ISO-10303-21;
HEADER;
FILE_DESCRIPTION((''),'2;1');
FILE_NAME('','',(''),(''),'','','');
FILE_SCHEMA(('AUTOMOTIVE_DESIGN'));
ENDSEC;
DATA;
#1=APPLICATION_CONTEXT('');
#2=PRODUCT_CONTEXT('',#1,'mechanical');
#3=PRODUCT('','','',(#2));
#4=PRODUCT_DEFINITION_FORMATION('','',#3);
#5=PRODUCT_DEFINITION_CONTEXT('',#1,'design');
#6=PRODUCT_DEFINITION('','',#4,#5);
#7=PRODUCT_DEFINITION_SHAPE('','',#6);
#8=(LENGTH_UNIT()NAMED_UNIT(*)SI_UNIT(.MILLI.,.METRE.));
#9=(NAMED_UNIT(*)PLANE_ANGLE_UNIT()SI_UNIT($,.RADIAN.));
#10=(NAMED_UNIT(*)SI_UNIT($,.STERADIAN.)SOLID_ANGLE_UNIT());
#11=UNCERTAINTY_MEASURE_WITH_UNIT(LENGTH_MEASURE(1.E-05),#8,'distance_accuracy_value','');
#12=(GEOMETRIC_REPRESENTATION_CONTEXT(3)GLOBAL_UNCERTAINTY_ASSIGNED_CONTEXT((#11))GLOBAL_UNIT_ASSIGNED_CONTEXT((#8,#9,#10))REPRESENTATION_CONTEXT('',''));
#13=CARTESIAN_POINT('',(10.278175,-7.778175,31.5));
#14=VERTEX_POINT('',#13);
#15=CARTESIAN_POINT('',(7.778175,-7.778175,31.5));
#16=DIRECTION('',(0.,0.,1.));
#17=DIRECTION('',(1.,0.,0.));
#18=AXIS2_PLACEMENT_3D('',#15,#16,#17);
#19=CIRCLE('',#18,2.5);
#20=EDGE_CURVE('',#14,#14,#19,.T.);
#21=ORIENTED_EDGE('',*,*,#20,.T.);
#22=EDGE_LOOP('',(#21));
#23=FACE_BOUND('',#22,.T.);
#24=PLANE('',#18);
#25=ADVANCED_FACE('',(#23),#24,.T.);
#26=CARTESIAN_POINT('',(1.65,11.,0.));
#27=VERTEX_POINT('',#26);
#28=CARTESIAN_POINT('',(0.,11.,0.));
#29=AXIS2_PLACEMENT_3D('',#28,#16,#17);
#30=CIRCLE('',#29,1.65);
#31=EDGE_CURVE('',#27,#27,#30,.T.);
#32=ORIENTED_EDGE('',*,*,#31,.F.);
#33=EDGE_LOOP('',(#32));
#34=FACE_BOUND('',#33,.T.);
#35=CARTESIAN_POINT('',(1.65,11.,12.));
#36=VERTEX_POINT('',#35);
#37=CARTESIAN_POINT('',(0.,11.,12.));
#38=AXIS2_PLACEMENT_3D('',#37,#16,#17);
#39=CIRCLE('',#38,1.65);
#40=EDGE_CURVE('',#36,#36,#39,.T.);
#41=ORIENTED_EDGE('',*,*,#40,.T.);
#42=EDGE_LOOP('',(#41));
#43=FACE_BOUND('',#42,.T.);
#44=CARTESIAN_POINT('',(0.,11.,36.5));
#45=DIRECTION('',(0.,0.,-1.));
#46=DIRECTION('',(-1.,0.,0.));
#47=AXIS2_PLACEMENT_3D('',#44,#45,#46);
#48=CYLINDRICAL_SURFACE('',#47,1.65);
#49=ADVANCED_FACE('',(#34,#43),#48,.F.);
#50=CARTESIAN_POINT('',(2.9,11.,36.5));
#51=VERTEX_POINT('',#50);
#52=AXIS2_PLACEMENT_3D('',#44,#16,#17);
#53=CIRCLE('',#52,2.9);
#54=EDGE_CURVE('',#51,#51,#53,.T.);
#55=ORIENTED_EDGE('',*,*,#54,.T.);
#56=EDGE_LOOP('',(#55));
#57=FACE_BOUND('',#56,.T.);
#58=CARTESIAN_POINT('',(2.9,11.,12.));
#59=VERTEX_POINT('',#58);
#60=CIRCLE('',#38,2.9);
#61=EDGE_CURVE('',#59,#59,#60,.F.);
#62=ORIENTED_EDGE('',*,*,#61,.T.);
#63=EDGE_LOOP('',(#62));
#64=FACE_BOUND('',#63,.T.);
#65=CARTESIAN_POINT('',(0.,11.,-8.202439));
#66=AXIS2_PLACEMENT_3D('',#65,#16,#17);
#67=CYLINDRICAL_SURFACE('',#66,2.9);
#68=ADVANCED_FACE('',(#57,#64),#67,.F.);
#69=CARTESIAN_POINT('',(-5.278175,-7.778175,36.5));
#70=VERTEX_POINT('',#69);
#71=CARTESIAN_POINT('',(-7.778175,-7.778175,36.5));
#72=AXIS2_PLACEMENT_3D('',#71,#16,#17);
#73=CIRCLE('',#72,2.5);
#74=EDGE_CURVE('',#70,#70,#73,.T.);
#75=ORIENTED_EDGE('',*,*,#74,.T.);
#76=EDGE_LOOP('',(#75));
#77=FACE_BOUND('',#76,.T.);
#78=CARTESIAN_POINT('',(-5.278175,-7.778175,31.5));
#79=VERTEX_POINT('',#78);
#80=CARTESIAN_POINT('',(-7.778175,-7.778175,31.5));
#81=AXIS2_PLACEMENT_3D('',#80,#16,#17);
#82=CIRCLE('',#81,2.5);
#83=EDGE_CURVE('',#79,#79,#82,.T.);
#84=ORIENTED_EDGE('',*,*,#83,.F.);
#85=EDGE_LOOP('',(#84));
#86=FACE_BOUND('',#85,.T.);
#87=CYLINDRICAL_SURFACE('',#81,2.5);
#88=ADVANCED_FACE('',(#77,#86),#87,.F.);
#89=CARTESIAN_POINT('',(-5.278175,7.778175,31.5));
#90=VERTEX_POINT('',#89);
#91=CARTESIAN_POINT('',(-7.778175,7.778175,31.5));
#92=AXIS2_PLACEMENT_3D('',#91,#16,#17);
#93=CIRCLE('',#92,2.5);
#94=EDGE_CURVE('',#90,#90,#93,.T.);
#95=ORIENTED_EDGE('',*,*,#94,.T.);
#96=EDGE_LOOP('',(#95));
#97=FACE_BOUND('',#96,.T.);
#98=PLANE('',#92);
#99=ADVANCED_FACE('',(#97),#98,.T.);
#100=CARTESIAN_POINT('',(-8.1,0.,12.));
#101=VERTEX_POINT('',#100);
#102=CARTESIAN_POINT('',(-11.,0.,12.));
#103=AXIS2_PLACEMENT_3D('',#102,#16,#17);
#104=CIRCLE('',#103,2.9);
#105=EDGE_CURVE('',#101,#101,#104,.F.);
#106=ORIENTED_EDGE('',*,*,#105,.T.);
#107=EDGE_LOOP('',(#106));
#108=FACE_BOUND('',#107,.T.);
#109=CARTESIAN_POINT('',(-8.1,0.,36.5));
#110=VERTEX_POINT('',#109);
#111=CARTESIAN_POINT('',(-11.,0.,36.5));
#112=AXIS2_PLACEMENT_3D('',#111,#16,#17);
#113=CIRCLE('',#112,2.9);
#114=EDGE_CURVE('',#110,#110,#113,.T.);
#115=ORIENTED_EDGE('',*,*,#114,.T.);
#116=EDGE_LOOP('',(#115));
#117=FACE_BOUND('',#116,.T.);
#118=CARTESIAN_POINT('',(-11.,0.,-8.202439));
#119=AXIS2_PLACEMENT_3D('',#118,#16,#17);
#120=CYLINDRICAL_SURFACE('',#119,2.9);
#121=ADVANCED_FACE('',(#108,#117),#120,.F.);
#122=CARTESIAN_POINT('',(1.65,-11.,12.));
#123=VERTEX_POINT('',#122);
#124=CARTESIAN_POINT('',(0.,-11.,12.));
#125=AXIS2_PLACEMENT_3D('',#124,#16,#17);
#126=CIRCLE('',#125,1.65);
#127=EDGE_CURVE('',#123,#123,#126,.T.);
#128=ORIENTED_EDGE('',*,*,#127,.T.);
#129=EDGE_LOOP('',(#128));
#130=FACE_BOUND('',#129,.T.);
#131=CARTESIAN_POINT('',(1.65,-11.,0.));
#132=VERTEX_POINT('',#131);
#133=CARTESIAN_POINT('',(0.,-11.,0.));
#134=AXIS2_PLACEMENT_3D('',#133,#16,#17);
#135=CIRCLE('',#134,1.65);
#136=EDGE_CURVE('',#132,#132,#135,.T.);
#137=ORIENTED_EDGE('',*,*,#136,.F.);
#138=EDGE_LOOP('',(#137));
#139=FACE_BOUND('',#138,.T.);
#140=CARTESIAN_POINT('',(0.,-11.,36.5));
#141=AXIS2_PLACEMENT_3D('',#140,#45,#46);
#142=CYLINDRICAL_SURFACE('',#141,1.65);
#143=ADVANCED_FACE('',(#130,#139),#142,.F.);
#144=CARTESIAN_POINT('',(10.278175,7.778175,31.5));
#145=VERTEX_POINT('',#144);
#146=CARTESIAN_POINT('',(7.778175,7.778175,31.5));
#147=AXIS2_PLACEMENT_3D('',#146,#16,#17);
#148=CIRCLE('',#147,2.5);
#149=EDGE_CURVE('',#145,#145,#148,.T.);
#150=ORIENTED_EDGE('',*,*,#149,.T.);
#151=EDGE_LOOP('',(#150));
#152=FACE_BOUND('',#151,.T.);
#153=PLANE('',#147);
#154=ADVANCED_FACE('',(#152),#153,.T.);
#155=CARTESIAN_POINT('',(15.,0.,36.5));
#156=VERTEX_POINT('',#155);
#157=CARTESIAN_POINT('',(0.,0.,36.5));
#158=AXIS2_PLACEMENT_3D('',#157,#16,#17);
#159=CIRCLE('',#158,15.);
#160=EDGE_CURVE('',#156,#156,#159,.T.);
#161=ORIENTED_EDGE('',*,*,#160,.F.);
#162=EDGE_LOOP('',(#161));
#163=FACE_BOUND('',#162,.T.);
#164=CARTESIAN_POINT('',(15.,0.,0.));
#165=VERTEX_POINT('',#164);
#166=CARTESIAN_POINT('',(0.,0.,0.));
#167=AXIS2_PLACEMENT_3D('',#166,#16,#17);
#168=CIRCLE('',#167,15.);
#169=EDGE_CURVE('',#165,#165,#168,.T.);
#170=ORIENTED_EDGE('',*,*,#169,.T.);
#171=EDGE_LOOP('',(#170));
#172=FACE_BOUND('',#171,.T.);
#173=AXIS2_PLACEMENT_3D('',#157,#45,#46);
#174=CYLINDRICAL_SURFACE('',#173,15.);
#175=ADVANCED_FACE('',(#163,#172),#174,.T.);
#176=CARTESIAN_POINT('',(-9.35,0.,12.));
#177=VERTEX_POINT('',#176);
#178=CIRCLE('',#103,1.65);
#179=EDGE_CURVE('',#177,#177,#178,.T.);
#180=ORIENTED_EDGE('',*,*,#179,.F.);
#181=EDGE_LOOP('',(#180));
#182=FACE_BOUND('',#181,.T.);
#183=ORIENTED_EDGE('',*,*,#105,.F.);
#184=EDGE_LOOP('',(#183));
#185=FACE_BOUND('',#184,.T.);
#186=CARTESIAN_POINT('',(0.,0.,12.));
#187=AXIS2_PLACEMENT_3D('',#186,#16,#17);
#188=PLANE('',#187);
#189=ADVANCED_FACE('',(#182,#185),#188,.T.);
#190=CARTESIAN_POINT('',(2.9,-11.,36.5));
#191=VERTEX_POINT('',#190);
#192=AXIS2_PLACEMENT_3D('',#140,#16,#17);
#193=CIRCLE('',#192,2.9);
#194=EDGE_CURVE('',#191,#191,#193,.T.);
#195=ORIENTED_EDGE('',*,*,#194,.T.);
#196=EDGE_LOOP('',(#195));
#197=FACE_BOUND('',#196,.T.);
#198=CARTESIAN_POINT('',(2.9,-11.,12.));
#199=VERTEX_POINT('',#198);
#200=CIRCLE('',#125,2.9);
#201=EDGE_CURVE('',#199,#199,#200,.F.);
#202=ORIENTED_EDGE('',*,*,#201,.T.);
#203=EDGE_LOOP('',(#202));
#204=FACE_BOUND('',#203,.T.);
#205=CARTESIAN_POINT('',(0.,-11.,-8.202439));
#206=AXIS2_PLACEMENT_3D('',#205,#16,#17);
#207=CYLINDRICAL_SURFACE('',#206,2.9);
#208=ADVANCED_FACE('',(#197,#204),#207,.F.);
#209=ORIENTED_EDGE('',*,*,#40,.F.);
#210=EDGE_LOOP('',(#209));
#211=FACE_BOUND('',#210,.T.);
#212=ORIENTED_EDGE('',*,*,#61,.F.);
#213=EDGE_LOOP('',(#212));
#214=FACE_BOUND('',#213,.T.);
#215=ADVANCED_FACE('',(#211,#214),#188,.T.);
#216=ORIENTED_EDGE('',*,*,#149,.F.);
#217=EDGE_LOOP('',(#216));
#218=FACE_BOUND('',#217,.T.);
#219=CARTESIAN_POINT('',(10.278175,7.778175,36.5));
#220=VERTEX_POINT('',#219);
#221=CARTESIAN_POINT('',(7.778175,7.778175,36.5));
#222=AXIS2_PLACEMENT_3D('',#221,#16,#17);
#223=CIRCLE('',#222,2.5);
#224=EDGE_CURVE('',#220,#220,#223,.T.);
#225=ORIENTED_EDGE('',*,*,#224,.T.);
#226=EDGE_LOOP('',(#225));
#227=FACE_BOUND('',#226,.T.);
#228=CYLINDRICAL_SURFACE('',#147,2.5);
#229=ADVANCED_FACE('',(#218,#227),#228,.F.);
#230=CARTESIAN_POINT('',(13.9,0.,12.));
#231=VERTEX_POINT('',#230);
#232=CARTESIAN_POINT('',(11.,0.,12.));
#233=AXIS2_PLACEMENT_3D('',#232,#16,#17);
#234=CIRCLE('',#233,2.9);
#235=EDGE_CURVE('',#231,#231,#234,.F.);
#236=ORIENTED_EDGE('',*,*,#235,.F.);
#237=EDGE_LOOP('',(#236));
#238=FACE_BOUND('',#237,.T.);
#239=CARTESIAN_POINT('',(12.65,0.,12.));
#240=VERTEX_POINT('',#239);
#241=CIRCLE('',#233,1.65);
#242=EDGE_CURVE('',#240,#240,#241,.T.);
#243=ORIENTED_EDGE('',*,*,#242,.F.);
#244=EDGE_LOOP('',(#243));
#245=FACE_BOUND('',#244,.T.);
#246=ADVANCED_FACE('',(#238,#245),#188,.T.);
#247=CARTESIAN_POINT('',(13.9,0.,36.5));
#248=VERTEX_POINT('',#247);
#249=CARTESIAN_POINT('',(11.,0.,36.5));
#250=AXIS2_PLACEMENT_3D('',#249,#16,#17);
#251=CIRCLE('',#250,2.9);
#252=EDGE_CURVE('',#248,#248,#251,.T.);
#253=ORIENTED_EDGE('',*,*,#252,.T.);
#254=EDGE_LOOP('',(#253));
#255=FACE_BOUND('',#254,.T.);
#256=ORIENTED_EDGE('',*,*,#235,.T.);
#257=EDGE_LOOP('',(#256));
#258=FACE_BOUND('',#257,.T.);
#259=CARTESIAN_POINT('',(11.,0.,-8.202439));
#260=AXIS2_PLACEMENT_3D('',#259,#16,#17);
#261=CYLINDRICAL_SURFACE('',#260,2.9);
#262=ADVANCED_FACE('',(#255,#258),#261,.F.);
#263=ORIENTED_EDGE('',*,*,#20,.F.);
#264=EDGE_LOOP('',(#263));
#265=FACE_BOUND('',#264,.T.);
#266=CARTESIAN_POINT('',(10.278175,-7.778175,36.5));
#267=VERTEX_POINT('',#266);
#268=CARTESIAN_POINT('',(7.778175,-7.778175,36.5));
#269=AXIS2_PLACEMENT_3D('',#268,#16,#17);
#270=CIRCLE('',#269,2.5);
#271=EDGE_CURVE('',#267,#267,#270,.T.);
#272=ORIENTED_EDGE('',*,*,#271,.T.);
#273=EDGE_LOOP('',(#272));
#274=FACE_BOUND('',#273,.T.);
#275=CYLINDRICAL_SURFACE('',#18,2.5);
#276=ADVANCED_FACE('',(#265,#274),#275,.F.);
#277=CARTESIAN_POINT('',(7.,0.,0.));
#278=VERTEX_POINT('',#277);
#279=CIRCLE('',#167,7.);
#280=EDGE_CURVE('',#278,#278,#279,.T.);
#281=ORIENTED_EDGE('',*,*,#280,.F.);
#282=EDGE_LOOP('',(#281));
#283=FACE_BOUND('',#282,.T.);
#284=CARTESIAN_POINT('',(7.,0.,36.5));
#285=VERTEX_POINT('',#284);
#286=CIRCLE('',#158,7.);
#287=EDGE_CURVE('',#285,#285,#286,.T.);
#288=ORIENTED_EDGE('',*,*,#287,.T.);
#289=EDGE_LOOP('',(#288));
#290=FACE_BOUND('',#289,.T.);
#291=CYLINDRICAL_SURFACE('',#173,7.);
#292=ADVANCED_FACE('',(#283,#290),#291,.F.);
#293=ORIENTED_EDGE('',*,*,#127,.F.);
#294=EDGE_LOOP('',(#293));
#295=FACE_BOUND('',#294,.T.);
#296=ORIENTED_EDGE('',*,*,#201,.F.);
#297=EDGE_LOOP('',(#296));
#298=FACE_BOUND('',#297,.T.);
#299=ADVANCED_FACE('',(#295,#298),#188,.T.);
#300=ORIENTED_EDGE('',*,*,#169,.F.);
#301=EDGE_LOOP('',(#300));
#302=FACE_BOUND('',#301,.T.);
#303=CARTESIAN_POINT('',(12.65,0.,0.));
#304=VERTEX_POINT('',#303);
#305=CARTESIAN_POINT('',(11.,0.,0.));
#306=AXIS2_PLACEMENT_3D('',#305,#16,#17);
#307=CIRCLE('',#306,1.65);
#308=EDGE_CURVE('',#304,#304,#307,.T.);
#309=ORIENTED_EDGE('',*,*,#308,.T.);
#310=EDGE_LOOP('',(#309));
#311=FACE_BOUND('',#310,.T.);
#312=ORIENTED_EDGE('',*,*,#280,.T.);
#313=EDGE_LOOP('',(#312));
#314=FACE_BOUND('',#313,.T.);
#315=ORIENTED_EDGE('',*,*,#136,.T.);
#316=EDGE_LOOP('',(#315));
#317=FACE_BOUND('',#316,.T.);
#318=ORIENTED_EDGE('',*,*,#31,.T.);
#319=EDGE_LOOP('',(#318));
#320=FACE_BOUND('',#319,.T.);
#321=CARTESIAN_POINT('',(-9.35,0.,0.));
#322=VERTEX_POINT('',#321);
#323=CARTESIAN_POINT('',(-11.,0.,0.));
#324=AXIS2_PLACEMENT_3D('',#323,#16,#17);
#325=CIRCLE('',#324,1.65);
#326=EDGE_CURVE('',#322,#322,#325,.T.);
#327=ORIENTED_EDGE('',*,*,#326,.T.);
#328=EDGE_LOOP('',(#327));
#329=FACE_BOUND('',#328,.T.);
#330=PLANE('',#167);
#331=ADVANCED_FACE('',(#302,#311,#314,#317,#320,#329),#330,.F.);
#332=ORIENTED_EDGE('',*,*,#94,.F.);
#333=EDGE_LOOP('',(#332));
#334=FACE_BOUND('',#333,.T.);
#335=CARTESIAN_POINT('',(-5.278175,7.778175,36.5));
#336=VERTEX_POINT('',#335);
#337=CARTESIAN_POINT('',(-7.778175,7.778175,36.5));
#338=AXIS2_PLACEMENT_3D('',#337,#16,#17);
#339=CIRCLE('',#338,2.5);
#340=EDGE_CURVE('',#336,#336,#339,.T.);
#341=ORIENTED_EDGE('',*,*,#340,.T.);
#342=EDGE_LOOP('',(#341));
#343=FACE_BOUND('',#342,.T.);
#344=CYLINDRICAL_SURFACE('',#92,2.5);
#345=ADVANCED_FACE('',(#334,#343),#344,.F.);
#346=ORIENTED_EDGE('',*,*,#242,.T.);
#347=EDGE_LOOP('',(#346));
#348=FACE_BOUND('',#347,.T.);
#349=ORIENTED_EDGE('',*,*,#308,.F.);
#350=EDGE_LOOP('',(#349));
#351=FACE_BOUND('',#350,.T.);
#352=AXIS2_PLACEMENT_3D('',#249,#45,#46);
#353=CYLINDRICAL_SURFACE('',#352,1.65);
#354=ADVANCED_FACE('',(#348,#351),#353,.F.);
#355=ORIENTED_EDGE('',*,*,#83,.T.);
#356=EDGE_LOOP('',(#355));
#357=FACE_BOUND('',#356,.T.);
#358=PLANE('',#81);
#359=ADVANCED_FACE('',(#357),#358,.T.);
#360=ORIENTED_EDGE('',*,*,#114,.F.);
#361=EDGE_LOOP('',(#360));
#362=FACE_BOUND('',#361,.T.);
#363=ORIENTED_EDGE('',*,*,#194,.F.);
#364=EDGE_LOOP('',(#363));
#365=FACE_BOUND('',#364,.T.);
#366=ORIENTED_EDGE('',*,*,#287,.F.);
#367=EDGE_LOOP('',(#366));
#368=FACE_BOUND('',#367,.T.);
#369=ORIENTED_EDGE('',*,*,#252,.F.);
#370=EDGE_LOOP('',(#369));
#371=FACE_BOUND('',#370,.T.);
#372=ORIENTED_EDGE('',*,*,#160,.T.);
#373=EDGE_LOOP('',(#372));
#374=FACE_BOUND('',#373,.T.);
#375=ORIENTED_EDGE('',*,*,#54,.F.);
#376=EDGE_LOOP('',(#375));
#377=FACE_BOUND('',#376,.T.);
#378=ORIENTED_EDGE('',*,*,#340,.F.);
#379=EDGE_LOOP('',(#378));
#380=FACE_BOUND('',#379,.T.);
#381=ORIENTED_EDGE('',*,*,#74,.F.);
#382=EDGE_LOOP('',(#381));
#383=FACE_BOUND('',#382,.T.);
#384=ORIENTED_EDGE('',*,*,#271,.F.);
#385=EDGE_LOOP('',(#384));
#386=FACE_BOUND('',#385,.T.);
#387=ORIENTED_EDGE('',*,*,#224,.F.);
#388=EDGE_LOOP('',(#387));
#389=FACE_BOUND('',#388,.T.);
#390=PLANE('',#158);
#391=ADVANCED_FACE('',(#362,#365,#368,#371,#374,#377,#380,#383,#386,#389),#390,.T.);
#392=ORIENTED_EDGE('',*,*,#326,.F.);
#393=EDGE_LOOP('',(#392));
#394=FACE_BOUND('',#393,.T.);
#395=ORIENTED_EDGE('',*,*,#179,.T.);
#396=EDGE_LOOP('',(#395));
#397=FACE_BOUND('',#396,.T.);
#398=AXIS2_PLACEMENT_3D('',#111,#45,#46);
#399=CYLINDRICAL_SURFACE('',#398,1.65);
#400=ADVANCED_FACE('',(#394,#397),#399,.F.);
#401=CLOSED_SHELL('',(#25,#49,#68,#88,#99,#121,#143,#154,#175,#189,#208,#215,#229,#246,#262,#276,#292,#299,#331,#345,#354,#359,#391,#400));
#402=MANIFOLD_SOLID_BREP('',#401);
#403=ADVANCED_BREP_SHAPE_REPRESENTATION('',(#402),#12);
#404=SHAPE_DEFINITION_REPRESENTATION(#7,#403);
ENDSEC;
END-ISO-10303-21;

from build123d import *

# Parameters (mm, degrees)
SKIZZE1_R                       = 15
SKIZZE1_R_2                     = 7
SKIZZE1_R_3                     = 1.65
AUFSATZ_LINEAR_AUSTRAGEN1_DEPTH = 36.5
SKIZZE2_R                       = 2.9
SCHNITT_LINEAR_AUSTRAGEN1_DEPTH = 24.5
SKIZZE3_R                       = 2.5
SCHNITT_LINEAR_AUSTRAGEN2_DEPTH = 5


with BuildPart() as part:
    # Skizze1 → Aufsatz-Linear austragen1 (new body)
    with BuildSketch(Plane.XY):
        Circle(SKIZZE1_R)
        Circle(SKIZZE1_R_2, mode=Mode.SUBTRACT)
        with Locations((-11, 0)):
            Circle(SKIZZE1_R_3, mode=Mode.SUBTRACT)
        with Locations((0, 11)):
            Circle(SKIZZE1_R_3, mode=Mode.SUBTRACT)
        with Locations((11, 0)):
            Circle(SKIZZE1_R_3, mode=Mode.SUBTRACT)
        with Locations((0, -11)):
            Circle(SKIZZE1_R_3, mode=Mode.SUBTRACT)
    extrude(amount=AUFSATZ_LINEAR_AUSTRAGEN1_DEPTH)

    # Skizze2 → Schnitt-Linear austragen1 (cut)
    with BuildSketch(Plane.XY.offset(36.5)):
        with Locations((-11, 0)):
            Circle(SKIZZE2_R)
        with Locations((0, 11)):
            Circle(SKIZZE2_R)
        with Locations((11, 0)):
            Circle(SKIZZE2_R)
        with Locations((0, -11)):
            Circle(SKIZZE2_R)
    extrude(amount=-SCHNITT_LINEAR_AUSTRAGEN1_DEPTH, mode=Mode.SUBTRACT)

    # Skizze3 → Schnitt-Linear austragen2 (cut)
    with BuildSketch(Plane.XY.offset(36.5)):
        with Locations((-7.778174593, 7.778174593)):
            Circle(SKIZZE3_R)
        with Locations((7.778174593, 7.778174593)):
            Circle(SKIZZE3_R)
        with Locations((7.778174593, -7.778174593)):
            Circle(SKIZZE3_R)
        with Locations((-7.778174593, -7.778174593)):
            Circle(SKIZZE3_R)
    extrude(amount=-SCHNITT_LINEAR_AUSTRAGEN2_DEPTH, mode=Mode.SUBTRACT)


solid = part.part
